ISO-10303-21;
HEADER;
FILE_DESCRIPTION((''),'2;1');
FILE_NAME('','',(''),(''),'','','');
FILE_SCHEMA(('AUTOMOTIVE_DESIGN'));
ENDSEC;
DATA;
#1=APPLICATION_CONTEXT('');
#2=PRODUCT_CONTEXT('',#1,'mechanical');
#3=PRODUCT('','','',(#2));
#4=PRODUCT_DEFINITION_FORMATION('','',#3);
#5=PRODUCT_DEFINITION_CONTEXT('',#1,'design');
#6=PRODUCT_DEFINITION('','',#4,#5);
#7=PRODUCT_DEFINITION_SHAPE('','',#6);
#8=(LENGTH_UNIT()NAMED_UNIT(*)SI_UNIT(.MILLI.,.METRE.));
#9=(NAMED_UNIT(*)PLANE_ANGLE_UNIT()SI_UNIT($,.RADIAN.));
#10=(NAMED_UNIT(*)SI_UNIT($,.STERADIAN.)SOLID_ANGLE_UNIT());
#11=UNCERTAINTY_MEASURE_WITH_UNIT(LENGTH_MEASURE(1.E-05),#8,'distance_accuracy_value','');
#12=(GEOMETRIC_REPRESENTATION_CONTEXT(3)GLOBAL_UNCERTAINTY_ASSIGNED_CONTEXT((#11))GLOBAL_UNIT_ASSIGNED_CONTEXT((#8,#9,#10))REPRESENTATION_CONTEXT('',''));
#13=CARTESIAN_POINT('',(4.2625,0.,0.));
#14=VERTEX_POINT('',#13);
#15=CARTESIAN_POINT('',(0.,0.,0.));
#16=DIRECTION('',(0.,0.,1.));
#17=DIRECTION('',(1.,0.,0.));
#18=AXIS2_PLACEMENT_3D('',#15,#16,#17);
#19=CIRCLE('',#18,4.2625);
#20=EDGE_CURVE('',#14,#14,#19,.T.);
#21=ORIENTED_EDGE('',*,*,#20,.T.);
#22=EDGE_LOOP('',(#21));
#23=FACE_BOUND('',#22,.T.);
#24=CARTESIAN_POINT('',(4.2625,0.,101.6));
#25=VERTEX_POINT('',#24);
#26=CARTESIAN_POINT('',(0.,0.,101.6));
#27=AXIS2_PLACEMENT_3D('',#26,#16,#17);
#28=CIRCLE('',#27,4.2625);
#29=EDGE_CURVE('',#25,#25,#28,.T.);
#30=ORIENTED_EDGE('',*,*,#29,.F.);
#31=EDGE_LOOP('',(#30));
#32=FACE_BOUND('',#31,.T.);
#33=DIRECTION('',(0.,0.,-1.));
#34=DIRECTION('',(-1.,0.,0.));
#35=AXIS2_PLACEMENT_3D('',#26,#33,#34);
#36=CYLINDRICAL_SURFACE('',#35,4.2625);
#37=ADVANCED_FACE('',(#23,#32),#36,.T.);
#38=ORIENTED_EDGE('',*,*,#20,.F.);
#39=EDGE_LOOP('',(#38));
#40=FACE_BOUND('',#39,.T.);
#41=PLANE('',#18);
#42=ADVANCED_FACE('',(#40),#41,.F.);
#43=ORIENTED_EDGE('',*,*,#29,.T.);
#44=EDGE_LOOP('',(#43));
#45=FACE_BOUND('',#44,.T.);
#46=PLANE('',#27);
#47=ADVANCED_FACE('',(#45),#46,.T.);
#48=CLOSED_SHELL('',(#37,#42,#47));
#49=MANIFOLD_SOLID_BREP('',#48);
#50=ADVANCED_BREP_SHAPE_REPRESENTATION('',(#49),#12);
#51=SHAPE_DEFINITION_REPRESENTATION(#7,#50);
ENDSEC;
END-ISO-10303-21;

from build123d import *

# Parameters (mm, degrees)
SKETCH1_R           = 4.2625
BOSS_EXTRUDE1_DEPTH = 101.6


with BuildPart() as part:
    # Sketch1 → Boss-Extrude1 (new body)
    with BuildSketch(Plane.XY):
        Circle(SKETCH1_R)
    extrude(amount=BOSS_EXTRUDE1_DEPTH)


solid = part.part
